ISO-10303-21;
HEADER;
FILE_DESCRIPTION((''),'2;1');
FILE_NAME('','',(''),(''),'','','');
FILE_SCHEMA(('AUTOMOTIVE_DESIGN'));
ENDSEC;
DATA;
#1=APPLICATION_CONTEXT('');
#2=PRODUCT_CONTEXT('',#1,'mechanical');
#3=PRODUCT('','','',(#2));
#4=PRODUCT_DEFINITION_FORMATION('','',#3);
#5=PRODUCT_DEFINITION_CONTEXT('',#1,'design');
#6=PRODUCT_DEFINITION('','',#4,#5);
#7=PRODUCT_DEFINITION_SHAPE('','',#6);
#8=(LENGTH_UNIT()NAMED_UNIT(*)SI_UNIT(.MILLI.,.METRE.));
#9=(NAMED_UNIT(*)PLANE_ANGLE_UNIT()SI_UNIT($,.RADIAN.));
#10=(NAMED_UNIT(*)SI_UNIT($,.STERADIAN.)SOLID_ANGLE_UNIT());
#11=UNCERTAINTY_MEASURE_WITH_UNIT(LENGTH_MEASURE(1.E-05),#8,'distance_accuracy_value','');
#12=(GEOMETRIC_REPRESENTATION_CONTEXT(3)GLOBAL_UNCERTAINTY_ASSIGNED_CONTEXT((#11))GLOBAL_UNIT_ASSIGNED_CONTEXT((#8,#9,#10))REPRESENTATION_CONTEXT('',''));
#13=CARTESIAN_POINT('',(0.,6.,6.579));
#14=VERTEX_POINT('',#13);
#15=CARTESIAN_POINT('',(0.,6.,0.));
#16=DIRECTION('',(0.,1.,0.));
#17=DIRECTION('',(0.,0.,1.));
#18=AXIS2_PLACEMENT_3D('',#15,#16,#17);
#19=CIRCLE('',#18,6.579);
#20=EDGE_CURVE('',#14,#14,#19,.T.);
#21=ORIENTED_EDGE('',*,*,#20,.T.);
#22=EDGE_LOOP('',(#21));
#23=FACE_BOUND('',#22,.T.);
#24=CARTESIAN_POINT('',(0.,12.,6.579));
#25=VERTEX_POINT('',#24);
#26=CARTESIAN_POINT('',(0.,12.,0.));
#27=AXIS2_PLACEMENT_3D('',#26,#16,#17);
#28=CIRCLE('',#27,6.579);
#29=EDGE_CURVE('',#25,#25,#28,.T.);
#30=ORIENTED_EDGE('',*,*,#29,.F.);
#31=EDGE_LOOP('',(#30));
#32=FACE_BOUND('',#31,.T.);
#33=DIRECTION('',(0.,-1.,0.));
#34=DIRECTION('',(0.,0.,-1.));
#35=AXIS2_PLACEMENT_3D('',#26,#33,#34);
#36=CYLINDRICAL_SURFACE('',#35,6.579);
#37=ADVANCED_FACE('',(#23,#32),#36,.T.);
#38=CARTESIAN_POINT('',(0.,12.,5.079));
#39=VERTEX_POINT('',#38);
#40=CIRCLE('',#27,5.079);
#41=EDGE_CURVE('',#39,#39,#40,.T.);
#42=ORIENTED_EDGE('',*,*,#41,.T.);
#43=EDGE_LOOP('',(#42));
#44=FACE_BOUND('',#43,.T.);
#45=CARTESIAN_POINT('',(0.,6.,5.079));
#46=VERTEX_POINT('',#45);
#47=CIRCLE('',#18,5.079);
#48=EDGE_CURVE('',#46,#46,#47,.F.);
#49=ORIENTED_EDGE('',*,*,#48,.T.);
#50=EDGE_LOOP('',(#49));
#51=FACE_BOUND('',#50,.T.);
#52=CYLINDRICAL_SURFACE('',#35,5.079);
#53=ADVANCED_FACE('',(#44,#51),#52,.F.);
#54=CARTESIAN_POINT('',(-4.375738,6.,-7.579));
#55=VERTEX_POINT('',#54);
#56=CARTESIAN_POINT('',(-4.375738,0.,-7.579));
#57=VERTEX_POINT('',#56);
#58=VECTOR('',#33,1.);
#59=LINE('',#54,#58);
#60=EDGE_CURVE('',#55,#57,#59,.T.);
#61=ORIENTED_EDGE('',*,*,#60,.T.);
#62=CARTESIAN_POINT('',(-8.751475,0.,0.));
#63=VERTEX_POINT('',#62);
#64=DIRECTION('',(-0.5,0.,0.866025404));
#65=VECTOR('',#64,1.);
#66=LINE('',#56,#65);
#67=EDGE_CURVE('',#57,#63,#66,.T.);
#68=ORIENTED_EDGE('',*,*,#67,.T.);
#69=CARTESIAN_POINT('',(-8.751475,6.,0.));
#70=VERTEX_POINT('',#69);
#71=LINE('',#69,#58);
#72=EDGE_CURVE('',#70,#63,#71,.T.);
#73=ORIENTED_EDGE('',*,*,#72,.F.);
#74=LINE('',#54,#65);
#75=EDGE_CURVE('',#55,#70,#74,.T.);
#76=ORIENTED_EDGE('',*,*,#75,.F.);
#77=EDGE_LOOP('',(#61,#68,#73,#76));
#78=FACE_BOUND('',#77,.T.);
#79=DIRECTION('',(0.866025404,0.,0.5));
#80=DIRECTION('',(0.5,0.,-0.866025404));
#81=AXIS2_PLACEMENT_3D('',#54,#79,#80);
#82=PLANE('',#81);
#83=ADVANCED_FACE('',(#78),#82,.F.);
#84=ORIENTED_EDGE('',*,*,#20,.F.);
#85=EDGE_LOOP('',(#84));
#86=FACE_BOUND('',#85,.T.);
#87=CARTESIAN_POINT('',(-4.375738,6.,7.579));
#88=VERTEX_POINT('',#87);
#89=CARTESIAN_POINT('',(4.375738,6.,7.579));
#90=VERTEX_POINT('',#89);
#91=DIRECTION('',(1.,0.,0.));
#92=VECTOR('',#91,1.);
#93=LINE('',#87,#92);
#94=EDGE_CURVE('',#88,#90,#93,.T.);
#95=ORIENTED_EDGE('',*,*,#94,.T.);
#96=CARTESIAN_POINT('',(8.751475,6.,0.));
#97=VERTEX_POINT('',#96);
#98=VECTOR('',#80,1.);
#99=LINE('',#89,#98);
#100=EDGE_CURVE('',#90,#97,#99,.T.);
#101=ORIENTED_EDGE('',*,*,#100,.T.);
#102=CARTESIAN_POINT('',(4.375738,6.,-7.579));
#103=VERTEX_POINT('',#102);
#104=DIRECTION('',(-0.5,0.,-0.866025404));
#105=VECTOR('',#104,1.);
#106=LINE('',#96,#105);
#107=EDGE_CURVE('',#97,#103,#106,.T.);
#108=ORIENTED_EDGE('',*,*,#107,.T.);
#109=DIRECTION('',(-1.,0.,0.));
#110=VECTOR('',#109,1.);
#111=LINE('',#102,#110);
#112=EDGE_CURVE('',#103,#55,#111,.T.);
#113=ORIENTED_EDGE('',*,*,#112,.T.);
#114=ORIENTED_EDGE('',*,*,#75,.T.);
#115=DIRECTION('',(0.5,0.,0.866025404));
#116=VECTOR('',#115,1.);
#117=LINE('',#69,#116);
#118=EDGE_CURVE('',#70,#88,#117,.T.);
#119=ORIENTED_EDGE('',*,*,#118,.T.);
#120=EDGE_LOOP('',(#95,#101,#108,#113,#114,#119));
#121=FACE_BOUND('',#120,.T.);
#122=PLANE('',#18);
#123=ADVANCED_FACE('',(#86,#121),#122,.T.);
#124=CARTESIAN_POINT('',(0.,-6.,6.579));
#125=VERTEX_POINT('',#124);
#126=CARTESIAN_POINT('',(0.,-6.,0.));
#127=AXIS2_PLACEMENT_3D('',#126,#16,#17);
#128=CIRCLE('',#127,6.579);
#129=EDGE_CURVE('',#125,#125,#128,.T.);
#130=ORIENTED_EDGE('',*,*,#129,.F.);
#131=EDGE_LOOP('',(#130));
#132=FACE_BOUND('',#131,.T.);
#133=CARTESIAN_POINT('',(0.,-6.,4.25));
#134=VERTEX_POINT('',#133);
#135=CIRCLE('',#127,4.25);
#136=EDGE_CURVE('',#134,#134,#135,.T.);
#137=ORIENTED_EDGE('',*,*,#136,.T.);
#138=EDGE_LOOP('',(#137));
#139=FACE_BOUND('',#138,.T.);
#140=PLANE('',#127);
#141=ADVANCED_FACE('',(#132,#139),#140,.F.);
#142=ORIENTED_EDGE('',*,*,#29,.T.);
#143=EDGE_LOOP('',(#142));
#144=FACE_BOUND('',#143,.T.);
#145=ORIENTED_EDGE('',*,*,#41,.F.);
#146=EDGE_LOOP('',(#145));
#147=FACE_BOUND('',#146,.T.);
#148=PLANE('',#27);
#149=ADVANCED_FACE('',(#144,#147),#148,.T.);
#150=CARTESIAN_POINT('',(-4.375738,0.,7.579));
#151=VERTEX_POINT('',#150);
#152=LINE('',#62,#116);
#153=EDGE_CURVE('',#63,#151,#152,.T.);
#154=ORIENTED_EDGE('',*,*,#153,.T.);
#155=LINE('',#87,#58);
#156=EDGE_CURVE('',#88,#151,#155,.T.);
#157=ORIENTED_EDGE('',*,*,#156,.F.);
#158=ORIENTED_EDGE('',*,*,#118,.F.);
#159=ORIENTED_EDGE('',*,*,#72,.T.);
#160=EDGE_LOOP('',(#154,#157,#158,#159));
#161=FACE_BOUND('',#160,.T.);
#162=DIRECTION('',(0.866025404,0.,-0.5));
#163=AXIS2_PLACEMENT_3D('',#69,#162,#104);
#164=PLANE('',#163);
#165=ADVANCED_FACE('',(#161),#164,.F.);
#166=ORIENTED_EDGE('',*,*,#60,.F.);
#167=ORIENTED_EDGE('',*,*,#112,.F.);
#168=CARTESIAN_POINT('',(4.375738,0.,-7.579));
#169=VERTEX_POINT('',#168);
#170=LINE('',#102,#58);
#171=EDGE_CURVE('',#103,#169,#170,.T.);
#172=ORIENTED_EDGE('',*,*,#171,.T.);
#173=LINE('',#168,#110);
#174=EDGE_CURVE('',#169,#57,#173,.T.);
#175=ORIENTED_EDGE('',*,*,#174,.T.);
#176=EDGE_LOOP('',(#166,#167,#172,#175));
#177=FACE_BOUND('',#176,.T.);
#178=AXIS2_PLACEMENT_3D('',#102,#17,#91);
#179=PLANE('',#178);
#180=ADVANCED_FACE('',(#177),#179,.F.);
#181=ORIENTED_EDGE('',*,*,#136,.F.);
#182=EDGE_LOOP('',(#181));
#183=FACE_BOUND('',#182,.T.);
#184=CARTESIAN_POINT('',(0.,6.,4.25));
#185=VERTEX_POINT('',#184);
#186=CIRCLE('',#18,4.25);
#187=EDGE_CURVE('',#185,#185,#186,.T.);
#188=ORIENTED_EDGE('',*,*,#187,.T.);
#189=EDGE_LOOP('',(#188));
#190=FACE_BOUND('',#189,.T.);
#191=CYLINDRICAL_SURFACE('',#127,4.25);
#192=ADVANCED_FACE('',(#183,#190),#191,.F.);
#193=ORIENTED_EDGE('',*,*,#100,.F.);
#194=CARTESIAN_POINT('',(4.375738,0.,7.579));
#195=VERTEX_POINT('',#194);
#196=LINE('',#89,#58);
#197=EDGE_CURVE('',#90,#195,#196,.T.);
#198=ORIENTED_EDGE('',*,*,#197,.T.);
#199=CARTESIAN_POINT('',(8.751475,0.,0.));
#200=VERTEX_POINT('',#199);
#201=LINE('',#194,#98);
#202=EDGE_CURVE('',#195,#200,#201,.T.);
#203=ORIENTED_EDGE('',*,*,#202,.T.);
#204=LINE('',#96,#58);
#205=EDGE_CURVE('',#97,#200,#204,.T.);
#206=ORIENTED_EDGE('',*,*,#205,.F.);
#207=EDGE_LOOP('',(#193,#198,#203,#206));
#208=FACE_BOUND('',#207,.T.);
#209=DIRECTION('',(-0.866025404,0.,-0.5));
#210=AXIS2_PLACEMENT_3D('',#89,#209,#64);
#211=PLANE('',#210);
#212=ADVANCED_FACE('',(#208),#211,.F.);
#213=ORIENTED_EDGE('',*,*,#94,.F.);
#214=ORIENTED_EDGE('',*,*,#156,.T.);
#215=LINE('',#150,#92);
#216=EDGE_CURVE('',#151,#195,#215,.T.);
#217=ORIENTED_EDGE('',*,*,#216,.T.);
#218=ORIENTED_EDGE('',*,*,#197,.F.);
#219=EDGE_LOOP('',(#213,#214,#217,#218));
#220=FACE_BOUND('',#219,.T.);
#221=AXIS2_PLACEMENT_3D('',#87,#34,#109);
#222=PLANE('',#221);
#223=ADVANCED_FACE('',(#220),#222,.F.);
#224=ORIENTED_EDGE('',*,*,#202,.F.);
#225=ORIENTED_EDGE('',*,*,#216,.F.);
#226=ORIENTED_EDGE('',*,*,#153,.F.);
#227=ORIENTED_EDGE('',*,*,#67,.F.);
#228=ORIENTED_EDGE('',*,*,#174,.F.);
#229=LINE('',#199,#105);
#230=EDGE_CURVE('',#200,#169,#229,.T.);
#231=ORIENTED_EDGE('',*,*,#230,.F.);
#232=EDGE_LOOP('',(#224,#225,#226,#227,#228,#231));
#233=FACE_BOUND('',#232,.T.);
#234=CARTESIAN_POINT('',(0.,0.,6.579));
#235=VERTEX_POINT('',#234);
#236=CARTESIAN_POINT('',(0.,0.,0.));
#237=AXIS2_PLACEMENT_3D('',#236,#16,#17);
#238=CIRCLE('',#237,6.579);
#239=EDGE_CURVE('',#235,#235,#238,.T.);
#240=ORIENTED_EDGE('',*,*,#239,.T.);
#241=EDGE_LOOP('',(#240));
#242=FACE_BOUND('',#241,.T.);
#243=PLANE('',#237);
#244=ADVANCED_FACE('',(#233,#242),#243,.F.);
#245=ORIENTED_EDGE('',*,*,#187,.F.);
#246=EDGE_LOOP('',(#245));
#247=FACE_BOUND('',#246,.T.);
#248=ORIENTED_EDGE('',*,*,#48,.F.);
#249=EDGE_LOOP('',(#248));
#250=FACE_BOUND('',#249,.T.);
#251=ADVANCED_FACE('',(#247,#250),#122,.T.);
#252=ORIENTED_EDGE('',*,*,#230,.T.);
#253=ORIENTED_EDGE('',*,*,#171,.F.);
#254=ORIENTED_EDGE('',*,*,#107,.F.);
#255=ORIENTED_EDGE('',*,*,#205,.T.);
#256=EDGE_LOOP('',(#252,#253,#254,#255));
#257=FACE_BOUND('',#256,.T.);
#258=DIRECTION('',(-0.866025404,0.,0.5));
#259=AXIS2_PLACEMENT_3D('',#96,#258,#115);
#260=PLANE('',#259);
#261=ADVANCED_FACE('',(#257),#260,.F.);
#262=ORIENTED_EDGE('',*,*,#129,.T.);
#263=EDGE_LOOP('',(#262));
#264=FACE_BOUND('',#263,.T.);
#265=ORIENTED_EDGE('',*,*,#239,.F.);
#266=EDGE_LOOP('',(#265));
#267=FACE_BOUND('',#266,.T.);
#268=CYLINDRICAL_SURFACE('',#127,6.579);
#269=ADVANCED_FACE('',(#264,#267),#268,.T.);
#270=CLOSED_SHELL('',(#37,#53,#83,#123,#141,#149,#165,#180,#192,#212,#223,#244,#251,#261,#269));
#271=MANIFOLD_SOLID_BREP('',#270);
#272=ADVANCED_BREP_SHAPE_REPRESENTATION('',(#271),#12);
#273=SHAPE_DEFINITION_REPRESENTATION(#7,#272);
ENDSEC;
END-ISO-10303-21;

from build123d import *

# Parameters (mm, degrees)
SKETCH_1_R      = 6.579
SKETCH_1_R_2    = 4.25
EXTRUDE_1_DEPTH = 6
EXTRUDE_START   = 6
SKETCH_1_3_R    = 4.25
EXTRUDE_2_DEPTH = 6
SKETCH_2_R      = 6.579
SKETCH_2_R_2    = 5.079
EXTRUDE_3_DEPTH = 6


with BuildPart() as part:
    # 草图1 → 凸台-拉伸1 (new body)
    with BuildSketch(Plane(origin=(0, 0, 0), x_dir=(1, 0, 0), z_dir=(0, 1, 0))):
        Circle(SKETCH_1_R)
        Circle(SKETCH_1_R_2, mode=Mode.SUBTRACT)
    extrude(amount=-EXTRUDE_1_DEPTH)

    # 草图1<3> → 凸台-拉伸2 (add)
    with BuildSketch(Plane(origin=(0, 0, 0), x_dir=(1, 0, 0), z_dir=(0, 1, 0)).offset(EXTRUDE_START)):
        Polygon((-4.37573769, -7.579), (4.37573769, -7.579), (8.75147538, 0), (4.37573769, 7.579), (-4.37573769, 7.579), (-8.75147538, 0), align=None)
        Circle(SKETCH_1_3_R, mode=Mode.SUBTRACT)
    extrude(amount=-EXTRUDE_2_DEPTH)

    # 草图2 → 凸台-拉伸3 (add)
    with BuildSketch(Plane(origin=(0, 6, 0), x_dir=(1, 0, 0), z_dir=(0, 1, 0)).offset(EXTRUDE_START)):
        Circle(SKETCH_2_R)
        Circle(SKETCH_2_R_2, mode=Mode.SUBTRACT)
    extrude(amount=-EXTRUDE_3_DEPTH)


solid = part.part
